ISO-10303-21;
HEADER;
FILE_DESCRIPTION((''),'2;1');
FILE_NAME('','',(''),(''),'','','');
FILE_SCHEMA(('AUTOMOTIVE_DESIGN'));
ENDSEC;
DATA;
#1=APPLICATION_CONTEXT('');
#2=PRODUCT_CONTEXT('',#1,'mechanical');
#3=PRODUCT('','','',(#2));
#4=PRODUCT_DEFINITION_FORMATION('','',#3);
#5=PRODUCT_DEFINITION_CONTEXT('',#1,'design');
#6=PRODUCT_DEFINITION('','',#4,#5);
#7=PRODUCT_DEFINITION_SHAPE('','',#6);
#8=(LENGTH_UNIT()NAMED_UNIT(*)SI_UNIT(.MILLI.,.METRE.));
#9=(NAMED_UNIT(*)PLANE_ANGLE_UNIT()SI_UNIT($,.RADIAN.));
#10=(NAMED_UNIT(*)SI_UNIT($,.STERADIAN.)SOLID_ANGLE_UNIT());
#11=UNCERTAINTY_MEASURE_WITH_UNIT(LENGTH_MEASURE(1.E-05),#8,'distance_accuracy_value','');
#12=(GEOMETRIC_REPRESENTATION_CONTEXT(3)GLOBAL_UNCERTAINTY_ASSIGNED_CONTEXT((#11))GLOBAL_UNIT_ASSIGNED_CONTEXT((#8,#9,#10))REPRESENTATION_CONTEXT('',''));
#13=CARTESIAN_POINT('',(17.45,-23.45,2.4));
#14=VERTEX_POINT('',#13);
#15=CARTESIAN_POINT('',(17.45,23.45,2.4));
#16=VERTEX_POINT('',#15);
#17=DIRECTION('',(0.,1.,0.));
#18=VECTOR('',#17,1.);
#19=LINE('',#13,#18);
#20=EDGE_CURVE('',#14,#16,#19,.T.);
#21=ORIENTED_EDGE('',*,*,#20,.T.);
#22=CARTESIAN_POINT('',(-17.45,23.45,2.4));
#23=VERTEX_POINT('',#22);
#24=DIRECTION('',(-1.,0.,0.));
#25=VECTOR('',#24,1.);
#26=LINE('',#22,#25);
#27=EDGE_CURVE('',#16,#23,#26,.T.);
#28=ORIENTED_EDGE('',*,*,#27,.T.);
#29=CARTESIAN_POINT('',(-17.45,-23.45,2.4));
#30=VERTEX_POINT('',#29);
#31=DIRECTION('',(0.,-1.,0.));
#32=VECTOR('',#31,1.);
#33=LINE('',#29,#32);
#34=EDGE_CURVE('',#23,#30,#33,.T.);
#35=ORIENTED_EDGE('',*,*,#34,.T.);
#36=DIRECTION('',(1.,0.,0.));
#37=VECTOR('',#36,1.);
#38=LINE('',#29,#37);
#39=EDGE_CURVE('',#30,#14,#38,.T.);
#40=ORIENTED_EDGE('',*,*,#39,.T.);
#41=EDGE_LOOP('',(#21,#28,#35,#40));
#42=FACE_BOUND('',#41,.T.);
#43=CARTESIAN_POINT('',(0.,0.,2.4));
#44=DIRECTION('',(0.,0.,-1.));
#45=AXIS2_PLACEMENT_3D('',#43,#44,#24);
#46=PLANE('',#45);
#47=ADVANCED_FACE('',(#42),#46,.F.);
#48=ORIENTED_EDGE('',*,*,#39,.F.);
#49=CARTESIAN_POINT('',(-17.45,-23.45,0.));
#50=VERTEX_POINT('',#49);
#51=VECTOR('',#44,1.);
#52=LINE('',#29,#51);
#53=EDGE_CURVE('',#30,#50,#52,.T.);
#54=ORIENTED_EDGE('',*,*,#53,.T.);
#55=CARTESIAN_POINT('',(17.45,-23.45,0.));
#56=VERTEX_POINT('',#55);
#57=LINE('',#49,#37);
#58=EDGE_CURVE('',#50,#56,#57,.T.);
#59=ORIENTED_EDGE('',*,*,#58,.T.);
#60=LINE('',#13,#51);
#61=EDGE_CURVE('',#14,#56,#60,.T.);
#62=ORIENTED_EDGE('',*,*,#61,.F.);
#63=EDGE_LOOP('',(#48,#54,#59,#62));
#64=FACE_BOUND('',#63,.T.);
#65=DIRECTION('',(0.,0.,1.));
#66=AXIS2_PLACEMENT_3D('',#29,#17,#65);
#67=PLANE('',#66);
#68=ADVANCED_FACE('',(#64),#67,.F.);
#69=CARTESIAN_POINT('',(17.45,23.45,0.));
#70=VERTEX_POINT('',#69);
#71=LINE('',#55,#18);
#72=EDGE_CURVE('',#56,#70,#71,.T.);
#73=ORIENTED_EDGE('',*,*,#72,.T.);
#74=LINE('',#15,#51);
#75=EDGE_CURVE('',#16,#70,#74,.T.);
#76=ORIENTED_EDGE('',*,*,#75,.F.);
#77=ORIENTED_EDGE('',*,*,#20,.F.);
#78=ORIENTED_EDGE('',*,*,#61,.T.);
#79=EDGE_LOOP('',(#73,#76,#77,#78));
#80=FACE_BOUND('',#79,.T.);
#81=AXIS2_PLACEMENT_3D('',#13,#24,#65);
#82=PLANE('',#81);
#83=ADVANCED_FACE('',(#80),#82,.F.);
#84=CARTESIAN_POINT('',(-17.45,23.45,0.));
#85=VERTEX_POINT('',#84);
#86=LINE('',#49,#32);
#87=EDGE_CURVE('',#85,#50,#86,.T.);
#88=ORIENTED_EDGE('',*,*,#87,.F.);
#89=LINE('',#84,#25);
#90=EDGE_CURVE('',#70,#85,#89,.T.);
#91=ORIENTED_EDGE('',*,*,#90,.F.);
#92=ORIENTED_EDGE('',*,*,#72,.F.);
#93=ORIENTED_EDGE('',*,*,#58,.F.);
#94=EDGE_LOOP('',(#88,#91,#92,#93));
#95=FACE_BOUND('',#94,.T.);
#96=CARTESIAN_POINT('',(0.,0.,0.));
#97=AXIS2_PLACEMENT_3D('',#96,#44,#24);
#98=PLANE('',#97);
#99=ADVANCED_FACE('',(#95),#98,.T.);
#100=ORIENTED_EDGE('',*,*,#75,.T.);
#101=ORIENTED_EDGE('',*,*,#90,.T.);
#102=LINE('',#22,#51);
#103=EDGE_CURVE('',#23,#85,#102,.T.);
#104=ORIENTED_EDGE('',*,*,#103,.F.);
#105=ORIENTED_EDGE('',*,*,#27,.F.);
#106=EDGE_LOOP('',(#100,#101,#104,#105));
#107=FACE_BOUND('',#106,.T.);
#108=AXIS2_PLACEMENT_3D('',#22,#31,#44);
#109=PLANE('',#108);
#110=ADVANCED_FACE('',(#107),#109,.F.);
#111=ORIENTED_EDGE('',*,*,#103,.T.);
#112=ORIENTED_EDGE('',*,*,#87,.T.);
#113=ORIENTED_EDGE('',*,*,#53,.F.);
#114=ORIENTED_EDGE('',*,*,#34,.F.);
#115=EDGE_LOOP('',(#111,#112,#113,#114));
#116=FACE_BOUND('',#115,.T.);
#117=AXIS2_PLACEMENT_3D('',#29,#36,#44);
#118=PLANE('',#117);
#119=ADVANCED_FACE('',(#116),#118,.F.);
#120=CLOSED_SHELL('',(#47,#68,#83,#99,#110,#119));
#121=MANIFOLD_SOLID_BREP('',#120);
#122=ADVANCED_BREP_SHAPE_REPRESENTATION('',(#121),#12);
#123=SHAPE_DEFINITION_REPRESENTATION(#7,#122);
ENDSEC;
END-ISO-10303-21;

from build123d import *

# Parameters (mm, degrees)
SKETCH1_W      = 34.9
SKETCH1_H      = 46.9
ENVELOPE_DEPTH = 2.4


with BuildPart() as part:
    # Sketch1 → Envelope (new body)
    with BuildSketch(Plane.XY):
        Rectangle(SKETCH1_W, SKETCH1_H)
    extrude(amount=ENVELOPE_DEPTH)


solid = part.part
